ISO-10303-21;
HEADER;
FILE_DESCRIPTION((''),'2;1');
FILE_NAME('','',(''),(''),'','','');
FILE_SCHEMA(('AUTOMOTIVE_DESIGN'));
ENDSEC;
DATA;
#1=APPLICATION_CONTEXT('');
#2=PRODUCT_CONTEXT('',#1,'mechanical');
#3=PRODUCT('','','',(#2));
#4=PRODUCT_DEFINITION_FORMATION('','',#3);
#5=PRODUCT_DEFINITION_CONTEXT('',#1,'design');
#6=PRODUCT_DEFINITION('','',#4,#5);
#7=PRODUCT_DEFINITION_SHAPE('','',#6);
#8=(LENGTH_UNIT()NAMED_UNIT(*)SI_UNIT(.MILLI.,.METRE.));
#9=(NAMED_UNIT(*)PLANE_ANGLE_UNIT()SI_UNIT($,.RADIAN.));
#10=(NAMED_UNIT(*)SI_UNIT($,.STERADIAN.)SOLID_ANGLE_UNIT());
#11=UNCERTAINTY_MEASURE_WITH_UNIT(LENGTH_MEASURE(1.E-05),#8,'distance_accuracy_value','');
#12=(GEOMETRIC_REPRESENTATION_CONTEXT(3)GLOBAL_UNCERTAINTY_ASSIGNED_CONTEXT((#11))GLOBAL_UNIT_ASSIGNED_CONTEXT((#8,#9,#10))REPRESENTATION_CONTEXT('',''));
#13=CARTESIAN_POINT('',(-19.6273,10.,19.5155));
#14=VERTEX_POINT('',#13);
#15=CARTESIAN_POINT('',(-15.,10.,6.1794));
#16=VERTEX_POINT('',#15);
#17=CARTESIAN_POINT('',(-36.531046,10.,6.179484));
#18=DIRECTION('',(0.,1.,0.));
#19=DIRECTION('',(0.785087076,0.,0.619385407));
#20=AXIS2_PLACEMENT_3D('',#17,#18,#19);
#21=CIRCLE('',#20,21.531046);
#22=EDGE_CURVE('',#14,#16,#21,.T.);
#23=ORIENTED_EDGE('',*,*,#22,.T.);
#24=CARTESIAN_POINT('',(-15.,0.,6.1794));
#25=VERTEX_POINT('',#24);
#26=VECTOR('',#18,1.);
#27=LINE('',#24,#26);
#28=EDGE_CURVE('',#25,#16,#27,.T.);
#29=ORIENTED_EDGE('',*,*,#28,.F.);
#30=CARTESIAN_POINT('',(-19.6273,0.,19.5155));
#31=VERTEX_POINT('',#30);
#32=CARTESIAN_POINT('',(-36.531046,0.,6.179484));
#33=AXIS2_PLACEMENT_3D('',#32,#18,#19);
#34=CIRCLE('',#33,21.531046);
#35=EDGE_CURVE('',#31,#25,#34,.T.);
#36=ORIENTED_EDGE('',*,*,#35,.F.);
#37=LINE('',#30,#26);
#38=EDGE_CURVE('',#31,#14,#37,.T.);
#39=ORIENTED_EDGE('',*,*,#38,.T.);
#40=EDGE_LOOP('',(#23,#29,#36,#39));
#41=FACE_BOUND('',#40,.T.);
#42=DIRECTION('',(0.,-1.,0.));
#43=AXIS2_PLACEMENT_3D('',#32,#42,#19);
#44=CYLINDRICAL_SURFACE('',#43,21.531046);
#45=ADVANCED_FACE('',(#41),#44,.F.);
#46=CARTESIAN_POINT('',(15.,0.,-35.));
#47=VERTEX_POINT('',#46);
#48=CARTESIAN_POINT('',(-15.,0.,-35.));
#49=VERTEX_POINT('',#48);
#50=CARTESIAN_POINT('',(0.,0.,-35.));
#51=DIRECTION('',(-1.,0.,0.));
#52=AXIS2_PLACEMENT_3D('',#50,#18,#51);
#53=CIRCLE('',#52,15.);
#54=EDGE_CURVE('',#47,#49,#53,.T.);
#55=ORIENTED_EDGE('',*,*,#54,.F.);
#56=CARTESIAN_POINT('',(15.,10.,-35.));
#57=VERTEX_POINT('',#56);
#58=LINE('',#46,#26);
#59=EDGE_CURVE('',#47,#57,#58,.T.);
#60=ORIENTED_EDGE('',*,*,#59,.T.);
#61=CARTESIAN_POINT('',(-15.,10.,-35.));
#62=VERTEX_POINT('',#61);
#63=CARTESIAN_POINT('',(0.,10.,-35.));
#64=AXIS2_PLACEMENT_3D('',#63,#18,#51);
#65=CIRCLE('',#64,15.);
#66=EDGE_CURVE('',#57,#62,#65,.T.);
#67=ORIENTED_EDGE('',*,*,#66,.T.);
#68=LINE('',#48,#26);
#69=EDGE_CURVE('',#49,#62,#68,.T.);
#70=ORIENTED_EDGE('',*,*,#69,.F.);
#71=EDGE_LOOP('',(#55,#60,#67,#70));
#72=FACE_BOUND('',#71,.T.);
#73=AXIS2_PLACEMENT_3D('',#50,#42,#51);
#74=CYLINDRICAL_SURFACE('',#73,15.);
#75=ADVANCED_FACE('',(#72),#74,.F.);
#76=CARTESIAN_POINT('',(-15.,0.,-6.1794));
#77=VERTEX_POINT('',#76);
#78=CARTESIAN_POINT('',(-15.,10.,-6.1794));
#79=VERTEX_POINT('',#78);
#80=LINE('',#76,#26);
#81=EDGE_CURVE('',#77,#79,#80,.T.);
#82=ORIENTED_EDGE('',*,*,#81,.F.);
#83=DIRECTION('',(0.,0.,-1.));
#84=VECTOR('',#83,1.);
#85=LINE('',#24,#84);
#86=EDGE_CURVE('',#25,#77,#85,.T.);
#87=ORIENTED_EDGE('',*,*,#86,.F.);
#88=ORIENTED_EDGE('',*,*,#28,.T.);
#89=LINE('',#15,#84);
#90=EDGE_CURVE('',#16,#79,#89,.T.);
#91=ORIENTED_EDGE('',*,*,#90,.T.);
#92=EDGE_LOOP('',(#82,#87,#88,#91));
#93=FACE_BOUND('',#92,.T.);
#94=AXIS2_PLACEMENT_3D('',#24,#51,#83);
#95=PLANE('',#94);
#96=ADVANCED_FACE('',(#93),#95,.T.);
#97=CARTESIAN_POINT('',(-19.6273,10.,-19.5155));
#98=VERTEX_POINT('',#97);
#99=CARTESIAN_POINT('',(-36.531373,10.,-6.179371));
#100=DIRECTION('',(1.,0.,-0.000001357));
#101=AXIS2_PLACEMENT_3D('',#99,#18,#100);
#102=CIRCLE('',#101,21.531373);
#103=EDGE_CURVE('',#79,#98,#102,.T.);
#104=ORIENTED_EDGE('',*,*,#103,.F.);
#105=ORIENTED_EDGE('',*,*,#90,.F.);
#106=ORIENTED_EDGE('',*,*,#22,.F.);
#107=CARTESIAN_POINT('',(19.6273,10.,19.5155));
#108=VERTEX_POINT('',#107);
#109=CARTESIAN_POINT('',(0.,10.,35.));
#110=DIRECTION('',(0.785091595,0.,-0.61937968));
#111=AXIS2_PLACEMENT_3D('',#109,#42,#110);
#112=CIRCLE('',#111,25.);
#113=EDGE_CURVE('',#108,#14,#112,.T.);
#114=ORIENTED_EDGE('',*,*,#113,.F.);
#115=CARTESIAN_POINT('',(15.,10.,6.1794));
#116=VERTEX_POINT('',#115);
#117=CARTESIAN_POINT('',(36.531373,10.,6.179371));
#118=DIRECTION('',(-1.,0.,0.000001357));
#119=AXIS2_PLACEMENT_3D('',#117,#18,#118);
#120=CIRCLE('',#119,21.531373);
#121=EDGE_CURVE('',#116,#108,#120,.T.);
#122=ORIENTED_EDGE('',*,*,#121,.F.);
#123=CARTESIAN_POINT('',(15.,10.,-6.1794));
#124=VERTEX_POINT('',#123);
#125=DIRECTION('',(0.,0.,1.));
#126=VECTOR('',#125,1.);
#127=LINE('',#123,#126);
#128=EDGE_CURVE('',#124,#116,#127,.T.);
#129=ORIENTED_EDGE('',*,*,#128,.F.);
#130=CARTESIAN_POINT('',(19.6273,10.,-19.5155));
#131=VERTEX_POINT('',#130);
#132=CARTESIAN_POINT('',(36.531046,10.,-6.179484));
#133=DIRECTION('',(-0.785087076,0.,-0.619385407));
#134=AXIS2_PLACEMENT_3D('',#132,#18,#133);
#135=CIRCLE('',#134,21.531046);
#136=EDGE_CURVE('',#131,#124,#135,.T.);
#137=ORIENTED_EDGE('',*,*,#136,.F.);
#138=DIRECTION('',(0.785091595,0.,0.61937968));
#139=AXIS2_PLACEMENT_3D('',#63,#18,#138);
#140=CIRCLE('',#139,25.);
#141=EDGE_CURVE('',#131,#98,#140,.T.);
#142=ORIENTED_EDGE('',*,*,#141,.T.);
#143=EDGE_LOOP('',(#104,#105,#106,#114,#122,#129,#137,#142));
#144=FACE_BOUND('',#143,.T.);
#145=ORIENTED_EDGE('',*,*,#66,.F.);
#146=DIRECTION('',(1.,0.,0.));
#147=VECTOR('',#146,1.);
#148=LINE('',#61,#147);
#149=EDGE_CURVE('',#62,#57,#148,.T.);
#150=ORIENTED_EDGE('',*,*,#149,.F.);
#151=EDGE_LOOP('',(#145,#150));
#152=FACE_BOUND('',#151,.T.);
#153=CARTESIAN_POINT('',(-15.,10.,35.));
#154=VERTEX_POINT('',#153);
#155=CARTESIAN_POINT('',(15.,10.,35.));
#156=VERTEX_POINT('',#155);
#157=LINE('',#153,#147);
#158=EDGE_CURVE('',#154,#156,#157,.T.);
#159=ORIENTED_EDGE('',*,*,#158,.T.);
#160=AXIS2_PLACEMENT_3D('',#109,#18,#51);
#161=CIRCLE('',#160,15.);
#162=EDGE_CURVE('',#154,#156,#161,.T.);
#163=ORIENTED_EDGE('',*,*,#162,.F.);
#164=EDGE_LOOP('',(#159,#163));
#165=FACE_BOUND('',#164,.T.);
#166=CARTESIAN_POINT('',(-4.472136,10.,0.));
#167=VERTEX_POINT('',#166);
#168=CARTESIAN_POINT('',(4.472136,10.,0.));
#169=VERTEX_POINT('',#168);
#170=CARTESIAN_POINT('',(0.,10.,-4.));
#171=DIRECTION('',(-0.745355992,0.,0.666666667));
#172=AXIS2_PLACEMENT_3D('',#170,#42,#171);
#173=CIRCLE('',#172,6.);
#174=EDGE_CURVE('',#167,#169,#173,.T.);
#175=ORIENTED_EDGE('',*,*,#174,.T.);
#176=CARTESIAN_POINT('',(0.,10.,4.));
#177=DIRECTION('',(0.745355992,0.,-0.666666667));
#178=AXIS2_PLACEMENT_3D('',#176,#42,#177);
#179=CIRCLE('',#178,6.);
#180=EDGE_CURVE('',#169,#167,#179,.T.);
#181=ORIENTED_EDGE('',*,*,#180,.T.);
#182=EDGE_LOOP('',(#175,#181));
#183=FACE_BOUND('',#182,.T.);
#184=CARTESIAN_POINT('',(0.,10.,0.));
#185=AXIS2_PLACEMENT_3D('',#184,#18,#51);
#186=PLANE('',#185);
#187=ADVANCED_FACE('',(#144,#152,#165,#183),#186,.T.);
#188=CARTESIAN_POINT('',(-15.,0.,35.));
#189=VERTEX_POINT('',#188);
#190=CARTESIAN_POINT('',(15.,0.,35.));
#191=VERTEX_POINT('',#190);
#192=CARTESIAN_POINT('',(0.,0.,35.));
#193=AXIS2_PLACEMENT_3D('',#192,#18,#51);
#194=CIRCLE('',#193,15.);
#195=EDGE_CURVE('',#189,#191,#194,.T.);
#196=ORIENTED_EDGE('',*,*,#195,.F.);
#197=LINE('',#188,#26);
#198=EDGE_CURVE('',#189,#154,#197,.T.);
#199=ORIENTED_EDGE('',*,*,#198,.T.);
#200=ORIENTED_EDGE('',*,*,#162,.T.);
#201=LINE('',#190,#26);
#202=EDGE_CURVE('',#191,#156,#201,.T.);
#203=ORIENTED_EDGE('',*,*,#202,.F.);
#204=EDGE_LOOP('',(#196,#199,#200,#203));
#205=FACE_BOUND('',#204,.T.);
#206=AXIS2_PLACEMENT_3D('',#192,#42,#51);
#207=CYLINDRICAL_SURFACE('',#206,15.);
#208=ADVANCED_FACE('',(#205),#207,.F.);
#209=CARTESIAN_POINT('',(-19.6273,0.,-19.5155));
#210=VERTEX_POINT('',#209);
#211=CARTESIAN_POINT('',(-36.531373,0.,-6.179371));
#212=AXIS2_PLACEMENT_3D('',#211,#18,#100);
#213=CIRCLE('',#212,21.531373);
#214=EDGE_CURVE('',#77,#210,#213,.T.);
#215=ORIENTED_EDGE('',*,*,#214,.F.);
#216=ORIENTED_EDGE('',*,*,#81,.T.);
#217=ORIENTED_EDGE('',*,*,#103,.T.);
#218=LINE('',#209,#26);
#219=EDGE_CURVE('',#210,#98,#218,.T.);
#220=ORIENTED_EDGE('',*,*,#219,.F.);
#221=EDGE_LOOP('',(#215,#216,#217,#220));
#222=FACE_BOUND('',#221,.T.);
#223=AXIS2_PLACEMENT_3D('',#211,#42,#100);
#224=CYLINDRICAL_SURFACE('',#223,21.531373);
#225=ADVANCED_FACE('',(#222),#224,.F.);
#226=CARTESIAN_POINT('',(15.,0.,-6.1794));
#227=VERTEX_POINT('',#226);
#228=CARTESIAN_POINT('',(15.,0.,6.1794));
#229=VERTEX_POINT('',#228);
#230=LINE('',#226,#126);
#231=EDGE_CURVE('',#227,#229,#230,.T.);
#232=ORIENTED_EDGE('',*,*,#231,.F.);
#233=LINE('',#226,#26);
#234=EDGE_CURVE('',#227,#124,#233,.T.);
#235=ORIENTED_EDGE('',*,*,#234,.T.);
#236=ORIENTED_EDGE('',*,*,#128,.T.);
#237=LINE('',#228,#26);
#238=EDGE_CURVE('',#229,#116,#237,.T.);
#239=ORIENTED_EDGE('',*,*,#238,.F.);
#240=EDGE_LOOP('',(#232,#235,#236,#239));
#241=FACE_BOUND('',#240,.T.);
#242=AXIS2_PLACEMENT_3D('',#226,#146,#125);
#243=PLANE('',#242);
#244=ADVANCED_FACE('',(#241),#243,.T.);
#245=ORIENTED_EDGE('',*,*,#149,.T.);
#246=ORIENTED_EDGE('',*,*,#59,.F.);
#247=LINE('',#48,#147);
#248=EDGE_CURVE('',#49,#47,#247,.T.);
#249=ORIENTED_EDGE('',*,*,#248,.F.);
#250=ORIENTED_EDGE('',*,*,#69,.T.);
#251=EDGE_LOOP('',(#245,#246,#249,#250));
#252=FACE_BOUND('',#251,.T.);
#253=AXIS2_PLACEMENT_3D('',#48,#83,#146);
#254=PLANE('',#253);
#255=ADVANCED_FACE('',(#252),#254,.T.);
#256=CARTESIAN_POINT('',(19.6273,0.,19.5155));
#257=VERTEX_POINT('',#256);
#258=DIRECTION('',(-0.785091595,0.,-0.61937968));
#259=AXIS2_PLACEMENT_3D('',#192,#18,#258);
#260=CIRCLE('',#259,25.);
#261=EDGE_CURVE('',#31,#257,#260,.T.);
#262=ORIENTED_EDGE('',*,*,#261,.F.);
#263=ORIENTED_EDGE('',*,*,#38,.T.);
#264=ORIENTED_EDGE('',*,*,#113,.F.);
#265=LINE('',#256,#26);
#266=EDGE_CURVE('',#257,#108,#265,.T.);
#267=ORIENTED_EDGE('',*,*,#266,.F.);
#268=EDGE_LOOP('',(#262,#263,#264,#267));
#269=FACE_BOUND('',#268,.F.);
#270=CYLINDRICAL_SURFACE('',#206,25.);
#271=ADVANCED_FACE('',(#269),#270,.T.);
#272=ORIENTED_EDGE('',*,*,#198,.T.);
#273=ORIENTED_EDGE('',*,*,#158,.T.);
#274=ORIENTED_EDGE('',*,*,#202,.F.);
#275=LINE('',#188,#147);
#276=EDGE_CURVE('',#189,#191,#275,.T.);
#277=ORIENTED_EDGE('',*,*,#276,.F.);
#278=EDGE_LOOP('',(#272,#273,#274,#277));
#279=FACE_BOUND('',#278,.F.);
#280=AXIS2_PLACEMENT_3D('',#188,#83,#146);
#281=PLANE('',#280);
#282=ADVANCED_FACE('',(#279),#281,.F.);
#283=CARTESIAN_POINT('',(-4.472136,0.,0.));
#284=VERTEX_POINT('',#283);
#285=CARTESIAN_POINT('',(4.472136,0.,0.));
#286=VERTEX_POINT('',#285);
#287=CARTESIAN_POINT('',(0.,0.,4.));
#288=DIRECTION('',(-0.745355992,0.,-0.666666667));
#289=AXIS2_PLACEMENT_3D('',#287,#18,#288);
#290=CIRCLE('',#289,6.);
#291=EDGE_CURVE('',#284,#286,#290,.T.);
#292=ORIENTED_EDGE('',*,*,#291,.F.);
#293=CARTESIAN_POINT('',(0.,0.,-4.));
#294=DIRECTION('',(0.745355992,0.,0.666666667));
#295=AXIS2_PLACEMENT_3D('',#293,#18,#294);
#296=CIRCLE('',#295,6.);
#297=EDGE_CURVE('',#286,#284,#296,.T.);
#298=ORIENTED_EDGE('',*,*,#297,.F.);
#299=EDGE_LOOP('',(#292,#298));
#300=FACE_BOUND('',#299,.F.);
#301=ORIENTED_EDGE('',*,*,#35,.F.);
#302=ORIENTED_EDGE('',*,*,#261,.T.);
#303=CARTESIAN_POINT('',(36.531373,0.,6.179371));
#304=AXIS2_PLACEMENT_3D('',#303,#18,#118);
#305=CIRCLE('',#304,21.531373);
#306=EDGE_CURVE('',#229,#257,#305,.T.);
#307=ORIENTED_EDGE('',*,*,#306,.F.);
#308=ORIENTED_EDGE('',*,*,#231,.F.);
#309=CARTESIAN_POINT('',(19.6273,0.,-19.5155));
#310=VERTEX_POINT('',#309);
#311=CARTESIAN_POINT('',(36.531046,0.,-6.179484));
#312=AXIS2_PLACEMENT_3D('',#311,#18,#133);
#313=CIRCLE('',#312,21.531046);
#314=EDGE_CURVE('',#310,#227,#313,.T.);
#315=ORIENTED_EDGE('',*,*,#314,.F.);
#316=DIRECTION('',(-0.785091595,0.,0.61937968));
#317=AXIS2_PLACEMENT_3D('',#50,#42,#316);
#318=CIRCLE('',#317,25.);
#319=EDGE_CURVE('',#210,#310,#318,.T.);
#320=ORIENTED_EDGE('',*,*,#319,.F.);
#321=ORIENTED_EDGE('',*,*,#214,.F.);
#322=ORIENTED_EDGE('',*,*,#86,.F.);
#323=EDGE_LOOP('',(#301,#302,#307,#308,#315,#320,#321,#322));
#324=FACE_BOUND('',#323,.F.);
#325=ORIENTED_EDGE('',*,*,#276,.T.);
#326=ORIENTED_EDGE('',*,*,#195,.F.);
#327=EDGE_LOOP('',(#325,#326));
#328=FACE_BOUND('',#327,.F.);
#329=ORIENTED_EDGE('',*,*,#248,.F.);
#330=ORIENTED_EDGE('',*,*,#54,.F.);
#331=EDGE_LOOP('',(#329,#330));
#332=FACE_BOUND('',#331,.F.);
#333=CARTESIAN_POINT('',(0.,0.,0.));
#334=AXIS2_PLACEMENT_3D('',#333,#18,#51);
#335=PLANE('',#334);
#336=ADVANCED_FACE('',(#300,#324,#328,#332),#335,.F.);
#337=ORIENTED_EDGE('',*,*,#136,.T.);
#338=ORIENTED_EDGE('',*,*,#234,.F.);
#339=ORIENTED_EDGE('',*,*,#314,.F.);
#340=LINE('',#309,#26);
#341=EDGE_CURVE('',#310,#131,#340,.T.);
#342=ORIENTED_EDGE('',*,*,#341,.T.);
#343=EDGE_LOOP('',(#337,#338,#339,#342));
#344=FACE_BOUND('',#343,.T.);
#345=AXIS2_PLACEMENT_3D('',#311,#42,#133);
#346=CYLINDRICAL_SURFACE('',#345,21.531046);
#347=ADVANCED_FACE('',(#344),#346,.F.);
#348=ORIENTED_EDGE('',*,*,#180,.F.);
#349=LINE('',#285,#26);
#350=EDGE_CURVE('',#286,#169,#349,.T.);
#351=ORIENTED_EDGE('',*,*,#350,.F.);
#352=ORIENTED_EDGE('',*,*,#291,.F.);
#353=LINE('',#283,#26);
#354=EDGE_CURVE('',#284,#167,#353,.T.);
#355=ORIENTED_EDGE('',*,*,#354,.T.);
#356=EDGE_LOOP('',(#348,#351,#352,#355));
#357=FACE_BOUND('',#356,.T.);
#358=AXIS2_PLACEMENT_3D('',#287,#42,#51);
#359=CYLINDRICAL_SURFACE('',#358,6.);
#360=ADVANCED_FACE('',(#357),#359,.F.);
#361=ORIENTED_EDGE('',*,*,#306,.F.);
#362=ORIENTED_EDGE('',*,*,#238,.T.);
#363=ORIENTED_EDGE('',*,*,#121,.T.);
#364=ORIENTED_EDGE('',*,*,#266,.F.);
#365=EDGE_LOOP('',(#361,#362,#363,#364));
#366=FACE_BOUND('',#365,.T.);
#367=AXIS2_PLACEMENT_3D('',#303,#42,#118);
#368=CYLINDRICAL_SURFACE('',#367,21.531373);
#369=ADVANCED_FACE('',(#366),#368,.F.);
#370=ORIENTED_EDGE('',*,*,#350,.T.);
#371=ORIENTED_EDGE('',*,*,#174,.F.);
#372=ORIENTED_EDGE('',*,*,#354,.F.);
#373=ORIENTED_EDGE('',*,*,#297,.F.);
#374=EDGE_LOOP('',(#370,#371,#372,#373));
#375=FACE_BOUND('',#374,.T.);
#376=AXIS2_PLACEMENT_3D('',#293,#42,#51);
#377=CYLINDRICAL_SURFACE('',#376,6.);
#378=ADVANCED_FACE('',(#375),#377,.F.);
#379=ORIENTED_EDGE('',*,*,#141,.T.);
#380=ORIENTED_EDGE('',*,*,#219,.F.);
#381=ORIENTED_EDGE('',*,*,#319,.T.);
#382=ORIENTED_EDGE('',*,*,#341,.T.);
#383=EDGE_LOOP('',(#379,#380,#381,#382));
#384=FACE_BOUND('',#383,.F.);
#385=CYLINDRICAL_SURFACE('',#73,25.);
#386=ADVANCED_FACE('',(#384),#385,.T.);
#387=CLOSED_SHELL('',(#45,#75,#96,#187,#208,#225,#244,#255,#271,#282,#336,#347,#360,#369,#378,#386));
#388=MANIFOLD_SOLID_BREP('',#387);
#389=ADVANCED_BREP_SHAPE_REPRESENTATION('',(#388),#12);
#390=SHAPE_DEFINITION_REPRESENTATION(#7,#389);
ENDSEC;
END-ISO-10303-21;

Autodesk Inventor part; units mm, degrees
ref_plane "YZ Plane" through (0, 0, 0) normal (1, 0, 0) x (0, 1, 0)
ref_plane "XZ Plane" through (0, 0, 0) normal (0, 1, 0) x (-1, 0, 0)
ref_plane "XY Plane" through (0, 0, 0) normal (0, 0, 1) x (1, 0, 0)
sketch "Boceto1" plane through (0, 0, 0) normal (0, 1, 0) x (-1, 0, 0)
  line L0 (0, 35) -> (0, -35) construction
  arc A0 (25, 35) -> (-25, 35) centre (0, 35) ccw
  arc A1 (-25, -35) -> (25, -35) centre (0, -35) ccw
  circle A2 centre (0, -35) radius 15
  circle A3 centre (0, 35) radius 15
  line L1 (0, -20) -> (0, -20)
  line L2 (15, -35) -> (-15, -35)
  line L3 (94.5074, 0) -> (-76.0102, 0) construction
  line L4 (15, 35) -> (-15, 35)
  line L5 (15, -35) -> (-15, -35)
  line L6 (15, -6.1794) -> (-15, -6.1794)
  line L7 (-15, -6.1794) -> (-15, 6.1794)
  line L8 (-15, 6.1794) -> (15, 6.1794)
  line L9 (15, 6.1794) -> (15, -6.1794)
  line L10 (15, -6.1794) -> (-15, 6.1794) construction
  line L11 (-15, -6.1794) -> (15, 6.1794) construction
  circle A4 centre (0, -35) radius 25
  arc A5 (15, -6.1794) -> (19.6273, -19.5155) centre (36.5312, -6.1794) ccw
  line L12 (0, -66.9543) -> (0, 90.1933) construction
  arc A6 (-19.6273, -19.5155) -> (-15, -6.1794) centre (-36.5312, -6.1794) ccw
  circle A7 centre (0, 35) radius 25
  arc A8 (19.6273, 19.5155) -> (15, 6.1794) centre (36.5312, 6.1794) ccw
  arc A9 (-15, 6.1794) -> (-19.6273, 19.5155) centre (-36.5312, 6.1794) ccw
  circle A10 centre (0, 4) radius 6
  circle A11 centre (0, -4) radius 6
  point P0 (0, 0)
  point P1 (0, 60)
  point P2 (0, -60)
  point P3 (0, -20)
  point P4 (15, 35)
  point P5 (0, 0)
  point P6 (15, 6.1794)
  point P7 (25, 35)
  point P8 (-25, 35)
  point P9 (-19.6273, 19.5155)
  point P10 (-15, 6.1794)
  point P11 (-12.5, -0.1825)
  point P12 (-19.6273, -19.5155)
  point P13 (25, -35)
  point P14 (-15, 6.1794)
  point P15 (4.4721, 0)
  point P16 (-4.4721, 0)
  dimension "largo" = 120
  dimension "espesor_junta" = 10
  dimension "d3" = 10
  dimension "d6" = 0
  dimension "d29" = 30
  dimension "d35" = 12
  dimension "d36" = 12
  dimension "d37" = 8
  dimension "d38" = 4
extrude "Extrusión8" add sketch "Boceto1" along normal blind 10 contours A7 A0 | A8 L8 A10 A7 | A7 A10 L8 A9 | L9 L6 A11 A10 L8 | L8 A10 A11 L6 L7 | A5 A4 A11 L6 | L6 A11 A4 A6 | A4 A1 | L2 A2 | A3 L4 picked at (1.773, -30.3249) picked at (0.6027, 30.0365)
equation "\"d3\" = espesor_junta"
properties part number "mod5" material "Aluminio 6061"
